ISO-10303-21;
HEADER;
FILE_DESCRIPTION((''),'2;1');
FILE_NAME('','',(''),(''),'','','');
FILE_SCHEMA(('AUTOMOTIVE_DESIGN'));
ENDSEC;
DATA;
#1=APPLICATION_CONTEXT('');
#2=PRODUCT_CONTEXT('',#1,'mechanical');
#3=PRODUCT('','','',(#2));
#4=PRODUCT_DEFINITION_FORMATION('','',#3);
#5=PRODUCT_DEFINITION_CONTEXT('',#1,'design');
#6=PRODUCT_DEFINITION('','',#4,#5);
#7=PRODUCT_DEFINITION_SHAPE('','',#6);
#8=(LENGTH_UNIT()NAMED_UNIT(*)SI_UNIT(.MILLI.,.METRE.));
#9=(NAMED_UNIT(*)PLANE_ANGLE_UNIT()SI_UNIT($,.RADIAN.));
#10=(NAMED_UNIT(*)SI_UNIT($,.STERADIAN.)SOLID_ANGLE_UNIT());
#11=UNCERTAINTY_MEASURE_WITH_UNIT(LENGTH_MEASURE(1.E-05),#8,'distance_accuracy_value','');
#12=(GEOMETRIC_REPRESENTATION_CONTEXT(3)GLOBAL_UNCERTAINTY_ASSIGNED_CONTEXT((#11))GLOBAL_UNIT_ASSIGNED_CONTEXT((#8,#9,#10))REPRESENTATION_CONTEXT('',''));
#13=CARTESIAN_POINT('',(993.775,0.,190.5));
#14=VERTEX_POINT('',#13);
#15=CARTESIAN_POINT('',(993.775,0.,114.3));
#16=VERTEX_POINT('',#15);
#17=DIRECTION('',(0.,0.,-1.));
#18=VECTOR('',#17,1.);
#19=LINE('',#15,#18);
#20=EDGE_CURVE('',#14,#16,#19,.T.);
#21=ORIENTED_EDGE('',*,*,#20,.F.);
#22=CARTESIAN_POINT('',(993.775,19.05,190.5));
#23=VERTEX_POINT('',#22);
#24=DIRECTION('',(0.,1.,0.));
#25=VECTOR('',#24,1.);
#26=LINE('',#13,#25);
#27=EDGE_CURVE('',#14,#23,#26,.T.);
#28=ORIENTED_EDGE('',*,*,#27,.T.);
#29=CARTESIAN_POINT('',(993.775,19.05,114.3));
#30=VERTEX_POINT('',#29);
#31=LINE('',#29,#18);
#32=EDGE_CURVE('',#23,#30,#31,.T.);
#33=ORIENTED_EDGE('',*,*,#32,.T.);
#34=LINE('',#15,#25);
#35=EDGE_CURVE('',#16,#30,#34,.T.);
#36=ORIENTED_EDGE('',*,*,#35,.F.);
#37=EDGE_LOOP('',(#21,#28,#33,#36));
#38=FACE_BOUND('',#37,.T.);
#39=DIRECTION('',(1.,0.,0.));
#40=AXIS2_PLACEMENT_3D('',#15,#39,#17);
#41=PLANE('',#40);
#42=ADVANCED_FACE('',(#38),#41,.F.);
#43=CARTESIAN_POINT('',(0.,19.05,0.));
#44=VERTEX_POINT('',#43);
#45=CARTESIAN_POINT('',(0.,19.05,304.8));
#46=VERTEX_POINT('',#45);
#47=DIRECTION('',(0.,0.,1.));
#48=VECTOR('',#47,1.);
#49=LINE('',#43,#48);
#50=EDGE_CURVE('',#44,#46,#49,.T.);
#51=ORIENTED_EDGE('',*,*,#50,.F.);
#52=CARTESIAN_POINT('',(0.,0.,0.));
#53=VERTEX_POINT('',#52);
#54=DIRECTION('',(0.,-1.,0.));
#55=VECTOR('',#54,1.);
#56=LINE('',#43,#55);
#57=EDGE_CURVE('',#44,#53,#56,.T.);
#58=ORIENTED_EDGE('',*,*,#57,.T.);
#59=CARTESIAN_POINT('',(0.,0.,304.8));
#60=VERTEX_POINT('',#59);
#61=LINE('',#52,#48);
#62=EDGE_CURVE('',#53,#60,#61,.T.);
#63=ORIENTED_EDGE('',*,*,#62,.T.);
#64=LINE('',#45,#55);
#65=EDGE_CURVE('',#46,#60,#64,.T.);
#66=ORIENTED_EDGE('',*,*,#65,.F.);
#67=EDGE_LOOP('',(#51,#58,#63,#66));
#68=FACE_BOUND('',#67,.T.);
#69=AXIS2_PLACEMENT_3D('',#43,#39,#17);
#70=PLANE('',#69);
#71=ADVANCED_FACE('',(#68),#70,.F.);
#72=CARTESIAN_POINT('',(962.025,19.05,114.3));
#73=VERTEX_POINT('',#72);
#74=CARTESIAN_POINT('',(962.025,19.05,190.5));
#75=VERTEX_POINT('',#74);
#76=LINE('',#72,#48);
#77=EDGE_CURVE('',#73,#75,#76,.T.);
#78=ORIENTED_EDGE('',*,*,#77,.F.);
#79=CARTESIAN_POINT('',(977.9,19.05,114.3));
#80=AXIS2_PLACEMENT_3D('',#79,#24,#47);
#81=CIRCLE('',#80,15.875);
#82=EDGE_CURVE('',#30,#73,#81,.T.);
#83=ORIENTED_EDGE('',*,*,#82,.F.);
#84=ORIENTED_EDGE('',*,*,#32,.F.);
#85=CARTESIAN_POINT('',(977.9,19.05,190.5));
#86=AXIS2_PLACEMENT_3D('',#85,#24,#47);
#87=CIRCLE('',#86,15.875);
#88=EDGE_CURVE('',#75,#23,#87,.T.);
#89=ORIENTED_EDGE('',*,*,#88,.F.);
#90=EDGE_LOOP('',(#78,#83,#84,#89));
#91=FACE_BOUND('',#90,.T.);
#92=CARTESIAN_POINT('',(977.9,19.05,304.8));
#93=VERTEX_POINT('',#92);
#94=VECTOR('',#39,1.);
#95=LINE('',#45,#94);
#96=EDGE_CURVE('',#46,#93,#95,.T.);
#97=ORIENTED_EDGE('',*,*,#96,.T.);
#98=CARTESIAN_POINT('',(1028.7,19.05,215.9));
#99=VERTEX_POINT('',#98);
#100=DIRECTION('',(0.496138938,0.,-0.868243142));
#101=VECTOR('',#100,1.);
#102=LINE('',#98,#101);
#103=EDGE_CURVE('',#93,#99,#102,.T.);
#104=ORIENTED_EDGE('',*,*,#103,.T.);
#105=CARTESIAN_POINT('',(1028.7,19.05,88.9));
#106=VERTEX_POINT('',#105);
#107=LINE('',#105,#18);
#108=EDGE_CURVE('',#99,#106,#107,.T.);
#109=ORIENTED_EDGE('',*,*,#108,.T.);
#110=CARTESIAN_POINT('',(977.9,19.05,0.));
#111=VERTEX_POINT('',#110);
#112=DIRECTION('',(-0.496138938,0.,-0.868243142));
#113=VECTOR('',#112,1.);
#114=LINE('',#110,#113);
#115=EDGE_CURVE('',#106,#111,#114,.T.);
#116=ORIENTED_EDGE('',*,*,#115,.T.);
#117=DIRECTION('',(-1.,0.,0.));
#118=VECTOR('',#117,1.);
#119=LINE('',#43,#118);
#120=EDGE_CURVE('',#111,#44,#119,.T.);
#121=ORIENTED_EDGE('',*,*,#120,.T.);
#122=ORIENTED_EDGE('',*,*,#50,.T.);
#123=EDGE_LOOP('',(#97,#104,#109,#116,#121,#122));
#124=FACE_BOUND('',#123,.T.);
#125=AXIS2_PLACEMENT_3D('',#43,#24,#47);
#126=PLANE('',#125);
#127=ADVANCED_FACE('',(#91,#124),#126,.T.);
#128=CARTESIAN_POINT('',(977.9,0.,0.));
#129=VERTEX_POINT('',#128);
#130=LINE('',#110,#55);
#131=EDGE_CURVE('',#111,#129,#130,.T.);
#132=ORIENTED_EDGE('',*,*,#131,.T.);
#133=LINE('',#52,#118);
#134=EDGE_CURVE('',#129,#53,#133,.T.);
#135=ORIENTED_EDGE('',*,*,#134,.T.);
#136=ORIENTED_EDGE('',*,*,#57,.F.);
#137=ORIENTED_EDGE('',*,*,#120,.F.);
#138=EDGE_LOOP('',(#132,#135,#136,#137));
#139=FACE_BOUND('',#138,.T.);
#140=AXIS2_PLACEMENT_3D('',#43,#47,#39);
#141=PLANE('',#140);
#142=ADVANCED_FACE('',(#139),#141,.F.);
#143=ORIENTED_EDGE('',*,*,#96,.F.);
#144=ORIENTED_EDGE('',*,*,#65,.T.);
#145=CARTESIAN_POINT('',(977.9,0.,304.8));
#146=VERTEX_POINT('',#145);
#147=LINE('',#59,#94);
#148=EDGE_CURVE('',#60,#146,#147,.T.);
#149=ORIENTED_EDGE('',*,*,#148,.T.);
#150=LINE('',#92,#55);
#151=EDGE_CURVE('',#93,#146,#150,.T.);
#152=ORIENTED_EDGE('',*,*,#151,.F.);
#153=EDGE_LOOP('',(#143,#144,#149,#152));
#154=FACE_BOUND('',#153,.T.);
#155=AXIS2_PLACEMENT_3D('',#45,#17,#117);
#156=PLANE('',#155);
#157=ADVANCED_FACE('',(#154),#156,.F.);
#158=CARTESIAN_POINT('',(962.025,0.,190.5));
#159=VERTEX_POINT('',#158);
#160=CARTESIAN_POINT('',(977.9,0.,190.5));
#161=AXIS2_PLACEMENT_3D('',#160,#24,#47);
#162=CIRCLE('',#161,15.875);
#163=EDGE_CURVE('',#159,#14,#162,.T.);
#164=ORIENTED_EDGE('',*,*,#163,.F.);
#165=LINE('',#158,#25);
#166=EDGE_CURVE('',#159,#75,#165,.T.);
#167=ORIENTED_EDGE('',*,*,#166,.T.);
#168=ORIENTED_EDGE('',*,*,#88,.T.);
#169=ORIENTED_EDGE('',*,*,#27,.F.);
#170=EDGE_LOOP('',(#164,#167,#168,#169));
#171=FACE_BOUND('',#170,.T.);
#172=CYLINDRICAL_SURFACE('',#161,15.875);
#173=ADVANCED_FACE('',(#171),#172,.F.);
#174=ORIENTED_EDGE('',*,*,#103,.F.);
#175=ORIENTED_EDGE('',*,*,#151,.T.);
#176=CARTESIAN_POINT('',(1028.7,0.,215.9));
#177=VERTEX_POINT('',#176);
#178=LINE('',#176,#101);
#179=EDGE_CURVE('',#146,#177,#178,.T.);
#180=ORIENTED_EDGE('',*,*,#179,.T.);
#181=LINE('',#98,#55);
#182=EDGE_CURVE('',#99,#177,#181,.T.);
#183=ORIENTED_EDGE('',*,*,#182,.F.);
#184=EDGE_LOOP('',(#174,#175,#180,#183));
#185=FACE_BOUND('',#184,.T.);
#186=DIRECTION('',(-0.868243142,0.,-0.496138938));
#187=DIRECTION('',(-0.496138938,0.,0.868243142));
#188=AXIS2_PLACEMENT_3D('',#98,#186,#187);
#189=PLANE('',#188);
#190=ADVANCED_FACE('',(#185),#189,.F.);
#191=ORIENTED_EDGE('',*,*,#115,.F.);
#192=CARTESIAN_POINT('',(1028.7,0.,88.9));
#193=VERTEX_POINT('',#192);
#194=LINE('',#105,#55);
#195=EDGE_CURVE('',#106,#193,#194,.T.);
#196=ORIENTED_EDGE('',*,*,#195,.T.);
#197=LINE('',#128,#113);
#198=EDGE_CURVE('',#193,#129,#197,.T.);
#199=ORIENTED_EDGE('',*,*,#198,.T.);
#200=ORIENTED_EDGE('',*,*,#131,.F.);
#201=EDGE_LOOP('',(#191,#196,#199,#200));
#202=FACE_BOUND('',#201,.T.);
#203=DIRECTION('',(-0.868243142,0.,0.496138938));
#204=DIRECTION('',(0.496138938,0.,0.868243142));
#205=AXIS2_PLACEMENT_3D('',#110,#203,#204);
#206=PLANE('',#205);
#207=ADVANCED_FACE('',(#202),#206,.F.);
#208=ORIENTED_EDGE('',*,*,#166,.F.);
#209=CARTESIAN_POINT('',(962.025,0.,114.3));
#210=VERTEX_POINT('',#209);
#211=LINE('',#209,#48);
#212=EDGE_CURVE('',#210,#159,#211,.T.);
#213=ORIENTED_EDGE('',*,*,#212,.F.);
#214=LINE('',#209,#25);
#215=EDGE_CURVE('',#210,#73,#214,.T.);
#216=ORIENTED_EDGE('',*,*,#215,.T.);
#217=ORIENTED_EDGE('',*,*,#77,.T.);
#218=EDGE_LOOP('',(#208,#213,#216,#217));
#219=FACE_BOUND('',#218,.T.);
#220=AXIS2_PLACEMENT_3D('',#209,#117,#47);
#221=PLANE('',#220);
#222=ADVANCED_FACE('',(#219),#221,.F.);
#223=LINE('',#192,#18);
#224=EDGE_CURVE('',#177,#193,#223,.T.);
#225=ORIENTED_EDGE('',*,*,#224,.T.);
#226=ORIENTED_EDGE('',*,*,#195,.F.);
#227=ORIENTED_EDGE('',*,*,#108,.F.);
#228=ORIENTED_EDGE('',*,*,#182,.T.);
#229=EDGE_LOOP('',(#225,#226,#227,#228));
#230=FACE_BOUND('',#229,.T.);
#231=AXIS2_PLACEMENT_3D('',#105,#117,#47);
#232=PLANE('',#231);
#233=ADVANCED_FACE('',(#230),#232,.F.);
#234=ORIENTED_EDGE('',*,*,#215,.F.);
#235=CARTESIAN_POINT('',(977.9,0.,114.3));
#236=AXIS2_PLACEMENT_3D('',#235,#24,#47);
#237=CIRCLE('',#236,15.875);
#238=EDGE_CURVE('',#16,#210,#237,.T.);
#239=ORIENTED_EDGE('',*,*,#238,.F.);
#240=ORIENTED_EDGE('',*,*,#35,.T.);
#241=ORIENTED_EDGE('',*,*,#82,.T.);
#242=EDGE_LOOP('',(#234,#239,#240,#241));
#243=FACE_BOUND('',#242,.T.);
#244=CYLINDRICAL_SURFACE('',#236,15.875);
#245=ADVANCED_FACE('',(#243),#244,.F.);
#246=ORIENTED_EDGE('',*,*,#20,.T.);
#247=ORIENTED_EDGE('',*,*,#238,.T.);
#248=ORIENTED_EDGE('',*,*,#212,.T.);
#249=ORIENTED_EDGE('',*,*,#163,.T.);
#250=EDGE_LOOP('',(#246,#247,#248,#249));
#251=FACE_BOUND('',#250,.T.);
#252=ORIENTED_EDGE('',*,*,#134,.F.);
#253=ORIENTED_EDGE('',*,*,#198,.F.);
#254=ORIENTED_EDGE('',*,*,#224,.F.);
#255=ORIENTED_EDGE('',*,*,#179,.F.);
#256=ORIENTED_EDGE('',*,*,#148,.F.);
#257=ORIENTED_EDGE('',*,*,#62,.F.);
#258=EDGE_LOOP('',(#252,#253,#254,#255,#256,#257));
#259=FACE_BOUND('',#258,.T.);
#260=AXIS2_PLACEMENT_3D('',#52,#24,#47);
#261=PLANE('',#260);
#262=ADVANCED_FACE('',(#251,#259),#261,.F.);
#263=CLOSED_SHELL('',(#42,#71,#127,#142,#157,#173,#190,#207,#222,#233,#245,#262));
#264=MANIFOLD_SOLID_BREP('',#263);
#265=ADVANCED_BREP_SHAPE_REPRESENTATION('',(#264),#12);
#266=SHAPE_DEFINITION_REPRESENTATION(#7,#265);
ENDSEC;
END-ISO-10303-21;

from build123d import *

# Parameters (mm, degrees)
BOSS_EXTRUDE1_DEPTH = 19.05
CUT_EXTRUDE1_DEPTH  = 19.05


with BuildPart() as part:
    # Sketch1 → Boss-Extrude1 (new body)
    with BuildSketch(Plane(origin=(0, 0, 0), x_dir=(1, 0, 0), z_dir=(0, 1, 0))):
        Polygon((0, 0), (977.9, 0), (1028.7, -88.9), (1028.7, -215.9), (977.9, -304.8), (0, -304.8), align=None)
    extrude(amount=BOSS_EXTRUDE1_DEPTH)

    # Sketch2 → Cut-Extrude1 (cut)
    with BuildSketch(Plane(origin=(0, 19.05, 0), x_dir=(1, 0, 0), z_dir=(0, 1, 0))):
        with BuildLine():
            Line((993.775, -114.3), (993.775, -190.5))
            ThreePointArc((993.775, -190.5), (977.9, -206.375), (962.025, -190.5))
            Line((962.025, -190.5), (962.025, -114.3))
            ThreePointArc((962.025, -114.3), (977.9, -98.425), (993.775, -114.3))
        make_face()
    extrude(amount=-CUT_EXTRUDE1_DEPTH, mode=Mode.SUBTRACT)


solid = part.part
